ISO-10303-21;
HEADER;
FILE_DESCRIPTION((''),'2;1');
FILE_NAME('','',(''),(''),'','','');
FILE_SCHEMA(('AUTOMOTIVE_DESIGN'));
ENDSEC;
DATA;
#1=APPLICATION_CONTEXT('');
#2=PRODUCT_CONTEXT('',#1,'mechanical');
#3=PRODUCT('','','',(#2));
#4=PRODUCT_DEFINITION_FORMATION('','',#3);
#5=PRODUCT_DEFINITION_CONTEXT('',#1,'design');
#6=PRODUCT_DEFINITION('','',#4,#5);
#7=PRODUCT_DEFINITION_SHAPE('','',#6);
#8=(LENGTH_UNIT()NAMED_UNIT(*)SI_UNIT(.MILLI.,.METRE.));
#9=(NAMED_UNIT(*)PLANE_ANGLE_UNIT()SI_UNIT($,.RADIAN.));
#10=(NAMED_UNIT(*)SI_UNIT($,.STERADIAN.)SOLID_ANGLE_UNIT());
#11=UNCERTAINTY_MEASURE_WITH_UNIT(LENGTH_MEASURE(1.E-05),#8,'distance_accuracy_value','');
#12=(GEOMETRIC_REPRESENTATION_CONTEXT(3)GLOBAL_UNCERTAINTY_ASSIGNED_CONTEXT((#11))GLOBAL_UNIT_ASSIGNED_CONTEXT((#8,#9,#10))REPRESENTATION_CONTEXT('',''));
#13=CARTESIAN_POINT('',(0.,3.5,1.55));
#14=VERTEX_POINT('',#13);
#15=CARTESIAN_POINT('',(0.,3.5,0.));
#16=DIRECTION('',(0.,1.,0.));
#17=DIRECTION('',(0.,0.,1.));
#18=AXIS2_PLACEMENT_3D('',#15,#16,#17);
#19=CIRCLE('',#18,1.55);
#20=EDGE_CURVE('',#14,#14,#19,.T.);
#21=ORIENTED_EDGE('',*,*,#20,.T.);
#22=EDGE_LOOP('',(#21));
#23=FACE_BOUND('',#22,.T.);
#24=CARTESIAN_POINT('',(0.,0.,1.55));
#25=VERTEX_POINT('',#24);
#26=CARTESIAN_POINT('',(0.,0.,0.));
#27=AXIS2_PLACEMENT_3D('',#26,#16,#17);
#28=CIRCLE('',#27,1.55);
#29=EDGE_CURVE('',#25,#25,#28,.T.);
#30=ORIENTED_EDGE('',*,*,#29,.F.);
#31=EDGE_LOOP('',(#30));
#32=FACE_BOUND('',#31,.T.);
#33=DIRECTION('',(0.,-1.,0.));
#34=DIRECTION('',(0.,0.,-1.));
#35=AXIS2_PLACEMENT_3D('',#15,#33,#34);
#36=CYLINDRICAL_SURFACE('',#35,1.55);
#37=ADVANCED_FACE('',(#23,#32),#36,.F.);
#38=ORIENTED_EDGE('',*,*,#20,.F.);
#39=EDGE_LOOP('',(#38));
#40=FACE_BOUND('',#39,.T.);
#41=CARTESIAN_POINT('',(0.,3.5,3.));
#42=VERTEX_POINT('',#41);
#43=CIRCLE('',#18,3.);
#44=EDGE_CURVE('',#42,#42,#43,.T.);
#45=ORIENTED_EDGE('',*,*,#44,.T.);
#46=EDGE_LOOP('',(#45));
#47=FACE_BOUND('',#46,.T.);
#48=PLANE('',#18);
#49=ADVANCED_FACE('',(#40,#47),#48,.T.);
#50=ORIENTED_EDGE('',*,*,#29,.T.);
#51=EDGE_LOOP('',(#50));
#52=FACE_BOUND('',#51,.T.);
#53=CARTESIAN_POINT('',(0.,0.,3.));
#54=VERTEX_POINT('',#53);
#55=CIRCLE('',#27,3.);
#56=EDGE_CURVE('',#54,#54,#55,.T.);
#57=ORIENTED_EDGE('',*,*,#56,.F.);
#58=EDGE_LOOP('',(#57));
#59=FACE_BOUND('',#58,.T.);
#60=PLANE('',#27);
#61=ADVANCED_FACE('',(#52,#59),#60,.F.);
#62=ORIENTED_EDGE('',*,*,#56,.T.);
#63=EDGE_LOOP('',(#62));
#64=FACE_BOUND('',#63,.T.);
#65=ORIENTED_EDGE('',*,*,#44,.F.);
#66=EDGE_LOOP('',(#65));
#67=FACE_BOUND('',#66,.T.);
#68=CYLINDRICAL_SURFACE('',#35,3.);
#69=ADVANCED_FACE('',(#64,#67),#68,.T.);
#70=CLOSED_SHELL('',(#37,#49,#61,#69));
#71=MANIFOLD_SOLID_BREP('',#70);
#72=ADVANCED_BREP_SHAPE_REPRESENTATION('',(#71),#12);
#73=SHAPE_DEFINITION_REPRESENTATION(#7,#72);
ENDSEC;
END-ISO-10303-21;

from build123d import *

# Parameters (mm, degrees)
SKETCH_1_R      = 3
SKETCH_1_R_2    = 1.55
EXTRUDE_1_DEPTH = 3.5


with BuildPart() as part:
    # 草图1 → 凸台-拉伸1 (new body)
    with BuildSketch(Plane(origin=(0, 0, 0), x_dir=(1, 0, 0), z_dir=(0, 1, 0))):
        Circle(SKETCH_1_R)
        Circle(SKETCH_1_R_2, mode=Mode.SUBTRACT)
    extrude(amount=EXTRUDE_1_DEPTH)


solid = part.part
